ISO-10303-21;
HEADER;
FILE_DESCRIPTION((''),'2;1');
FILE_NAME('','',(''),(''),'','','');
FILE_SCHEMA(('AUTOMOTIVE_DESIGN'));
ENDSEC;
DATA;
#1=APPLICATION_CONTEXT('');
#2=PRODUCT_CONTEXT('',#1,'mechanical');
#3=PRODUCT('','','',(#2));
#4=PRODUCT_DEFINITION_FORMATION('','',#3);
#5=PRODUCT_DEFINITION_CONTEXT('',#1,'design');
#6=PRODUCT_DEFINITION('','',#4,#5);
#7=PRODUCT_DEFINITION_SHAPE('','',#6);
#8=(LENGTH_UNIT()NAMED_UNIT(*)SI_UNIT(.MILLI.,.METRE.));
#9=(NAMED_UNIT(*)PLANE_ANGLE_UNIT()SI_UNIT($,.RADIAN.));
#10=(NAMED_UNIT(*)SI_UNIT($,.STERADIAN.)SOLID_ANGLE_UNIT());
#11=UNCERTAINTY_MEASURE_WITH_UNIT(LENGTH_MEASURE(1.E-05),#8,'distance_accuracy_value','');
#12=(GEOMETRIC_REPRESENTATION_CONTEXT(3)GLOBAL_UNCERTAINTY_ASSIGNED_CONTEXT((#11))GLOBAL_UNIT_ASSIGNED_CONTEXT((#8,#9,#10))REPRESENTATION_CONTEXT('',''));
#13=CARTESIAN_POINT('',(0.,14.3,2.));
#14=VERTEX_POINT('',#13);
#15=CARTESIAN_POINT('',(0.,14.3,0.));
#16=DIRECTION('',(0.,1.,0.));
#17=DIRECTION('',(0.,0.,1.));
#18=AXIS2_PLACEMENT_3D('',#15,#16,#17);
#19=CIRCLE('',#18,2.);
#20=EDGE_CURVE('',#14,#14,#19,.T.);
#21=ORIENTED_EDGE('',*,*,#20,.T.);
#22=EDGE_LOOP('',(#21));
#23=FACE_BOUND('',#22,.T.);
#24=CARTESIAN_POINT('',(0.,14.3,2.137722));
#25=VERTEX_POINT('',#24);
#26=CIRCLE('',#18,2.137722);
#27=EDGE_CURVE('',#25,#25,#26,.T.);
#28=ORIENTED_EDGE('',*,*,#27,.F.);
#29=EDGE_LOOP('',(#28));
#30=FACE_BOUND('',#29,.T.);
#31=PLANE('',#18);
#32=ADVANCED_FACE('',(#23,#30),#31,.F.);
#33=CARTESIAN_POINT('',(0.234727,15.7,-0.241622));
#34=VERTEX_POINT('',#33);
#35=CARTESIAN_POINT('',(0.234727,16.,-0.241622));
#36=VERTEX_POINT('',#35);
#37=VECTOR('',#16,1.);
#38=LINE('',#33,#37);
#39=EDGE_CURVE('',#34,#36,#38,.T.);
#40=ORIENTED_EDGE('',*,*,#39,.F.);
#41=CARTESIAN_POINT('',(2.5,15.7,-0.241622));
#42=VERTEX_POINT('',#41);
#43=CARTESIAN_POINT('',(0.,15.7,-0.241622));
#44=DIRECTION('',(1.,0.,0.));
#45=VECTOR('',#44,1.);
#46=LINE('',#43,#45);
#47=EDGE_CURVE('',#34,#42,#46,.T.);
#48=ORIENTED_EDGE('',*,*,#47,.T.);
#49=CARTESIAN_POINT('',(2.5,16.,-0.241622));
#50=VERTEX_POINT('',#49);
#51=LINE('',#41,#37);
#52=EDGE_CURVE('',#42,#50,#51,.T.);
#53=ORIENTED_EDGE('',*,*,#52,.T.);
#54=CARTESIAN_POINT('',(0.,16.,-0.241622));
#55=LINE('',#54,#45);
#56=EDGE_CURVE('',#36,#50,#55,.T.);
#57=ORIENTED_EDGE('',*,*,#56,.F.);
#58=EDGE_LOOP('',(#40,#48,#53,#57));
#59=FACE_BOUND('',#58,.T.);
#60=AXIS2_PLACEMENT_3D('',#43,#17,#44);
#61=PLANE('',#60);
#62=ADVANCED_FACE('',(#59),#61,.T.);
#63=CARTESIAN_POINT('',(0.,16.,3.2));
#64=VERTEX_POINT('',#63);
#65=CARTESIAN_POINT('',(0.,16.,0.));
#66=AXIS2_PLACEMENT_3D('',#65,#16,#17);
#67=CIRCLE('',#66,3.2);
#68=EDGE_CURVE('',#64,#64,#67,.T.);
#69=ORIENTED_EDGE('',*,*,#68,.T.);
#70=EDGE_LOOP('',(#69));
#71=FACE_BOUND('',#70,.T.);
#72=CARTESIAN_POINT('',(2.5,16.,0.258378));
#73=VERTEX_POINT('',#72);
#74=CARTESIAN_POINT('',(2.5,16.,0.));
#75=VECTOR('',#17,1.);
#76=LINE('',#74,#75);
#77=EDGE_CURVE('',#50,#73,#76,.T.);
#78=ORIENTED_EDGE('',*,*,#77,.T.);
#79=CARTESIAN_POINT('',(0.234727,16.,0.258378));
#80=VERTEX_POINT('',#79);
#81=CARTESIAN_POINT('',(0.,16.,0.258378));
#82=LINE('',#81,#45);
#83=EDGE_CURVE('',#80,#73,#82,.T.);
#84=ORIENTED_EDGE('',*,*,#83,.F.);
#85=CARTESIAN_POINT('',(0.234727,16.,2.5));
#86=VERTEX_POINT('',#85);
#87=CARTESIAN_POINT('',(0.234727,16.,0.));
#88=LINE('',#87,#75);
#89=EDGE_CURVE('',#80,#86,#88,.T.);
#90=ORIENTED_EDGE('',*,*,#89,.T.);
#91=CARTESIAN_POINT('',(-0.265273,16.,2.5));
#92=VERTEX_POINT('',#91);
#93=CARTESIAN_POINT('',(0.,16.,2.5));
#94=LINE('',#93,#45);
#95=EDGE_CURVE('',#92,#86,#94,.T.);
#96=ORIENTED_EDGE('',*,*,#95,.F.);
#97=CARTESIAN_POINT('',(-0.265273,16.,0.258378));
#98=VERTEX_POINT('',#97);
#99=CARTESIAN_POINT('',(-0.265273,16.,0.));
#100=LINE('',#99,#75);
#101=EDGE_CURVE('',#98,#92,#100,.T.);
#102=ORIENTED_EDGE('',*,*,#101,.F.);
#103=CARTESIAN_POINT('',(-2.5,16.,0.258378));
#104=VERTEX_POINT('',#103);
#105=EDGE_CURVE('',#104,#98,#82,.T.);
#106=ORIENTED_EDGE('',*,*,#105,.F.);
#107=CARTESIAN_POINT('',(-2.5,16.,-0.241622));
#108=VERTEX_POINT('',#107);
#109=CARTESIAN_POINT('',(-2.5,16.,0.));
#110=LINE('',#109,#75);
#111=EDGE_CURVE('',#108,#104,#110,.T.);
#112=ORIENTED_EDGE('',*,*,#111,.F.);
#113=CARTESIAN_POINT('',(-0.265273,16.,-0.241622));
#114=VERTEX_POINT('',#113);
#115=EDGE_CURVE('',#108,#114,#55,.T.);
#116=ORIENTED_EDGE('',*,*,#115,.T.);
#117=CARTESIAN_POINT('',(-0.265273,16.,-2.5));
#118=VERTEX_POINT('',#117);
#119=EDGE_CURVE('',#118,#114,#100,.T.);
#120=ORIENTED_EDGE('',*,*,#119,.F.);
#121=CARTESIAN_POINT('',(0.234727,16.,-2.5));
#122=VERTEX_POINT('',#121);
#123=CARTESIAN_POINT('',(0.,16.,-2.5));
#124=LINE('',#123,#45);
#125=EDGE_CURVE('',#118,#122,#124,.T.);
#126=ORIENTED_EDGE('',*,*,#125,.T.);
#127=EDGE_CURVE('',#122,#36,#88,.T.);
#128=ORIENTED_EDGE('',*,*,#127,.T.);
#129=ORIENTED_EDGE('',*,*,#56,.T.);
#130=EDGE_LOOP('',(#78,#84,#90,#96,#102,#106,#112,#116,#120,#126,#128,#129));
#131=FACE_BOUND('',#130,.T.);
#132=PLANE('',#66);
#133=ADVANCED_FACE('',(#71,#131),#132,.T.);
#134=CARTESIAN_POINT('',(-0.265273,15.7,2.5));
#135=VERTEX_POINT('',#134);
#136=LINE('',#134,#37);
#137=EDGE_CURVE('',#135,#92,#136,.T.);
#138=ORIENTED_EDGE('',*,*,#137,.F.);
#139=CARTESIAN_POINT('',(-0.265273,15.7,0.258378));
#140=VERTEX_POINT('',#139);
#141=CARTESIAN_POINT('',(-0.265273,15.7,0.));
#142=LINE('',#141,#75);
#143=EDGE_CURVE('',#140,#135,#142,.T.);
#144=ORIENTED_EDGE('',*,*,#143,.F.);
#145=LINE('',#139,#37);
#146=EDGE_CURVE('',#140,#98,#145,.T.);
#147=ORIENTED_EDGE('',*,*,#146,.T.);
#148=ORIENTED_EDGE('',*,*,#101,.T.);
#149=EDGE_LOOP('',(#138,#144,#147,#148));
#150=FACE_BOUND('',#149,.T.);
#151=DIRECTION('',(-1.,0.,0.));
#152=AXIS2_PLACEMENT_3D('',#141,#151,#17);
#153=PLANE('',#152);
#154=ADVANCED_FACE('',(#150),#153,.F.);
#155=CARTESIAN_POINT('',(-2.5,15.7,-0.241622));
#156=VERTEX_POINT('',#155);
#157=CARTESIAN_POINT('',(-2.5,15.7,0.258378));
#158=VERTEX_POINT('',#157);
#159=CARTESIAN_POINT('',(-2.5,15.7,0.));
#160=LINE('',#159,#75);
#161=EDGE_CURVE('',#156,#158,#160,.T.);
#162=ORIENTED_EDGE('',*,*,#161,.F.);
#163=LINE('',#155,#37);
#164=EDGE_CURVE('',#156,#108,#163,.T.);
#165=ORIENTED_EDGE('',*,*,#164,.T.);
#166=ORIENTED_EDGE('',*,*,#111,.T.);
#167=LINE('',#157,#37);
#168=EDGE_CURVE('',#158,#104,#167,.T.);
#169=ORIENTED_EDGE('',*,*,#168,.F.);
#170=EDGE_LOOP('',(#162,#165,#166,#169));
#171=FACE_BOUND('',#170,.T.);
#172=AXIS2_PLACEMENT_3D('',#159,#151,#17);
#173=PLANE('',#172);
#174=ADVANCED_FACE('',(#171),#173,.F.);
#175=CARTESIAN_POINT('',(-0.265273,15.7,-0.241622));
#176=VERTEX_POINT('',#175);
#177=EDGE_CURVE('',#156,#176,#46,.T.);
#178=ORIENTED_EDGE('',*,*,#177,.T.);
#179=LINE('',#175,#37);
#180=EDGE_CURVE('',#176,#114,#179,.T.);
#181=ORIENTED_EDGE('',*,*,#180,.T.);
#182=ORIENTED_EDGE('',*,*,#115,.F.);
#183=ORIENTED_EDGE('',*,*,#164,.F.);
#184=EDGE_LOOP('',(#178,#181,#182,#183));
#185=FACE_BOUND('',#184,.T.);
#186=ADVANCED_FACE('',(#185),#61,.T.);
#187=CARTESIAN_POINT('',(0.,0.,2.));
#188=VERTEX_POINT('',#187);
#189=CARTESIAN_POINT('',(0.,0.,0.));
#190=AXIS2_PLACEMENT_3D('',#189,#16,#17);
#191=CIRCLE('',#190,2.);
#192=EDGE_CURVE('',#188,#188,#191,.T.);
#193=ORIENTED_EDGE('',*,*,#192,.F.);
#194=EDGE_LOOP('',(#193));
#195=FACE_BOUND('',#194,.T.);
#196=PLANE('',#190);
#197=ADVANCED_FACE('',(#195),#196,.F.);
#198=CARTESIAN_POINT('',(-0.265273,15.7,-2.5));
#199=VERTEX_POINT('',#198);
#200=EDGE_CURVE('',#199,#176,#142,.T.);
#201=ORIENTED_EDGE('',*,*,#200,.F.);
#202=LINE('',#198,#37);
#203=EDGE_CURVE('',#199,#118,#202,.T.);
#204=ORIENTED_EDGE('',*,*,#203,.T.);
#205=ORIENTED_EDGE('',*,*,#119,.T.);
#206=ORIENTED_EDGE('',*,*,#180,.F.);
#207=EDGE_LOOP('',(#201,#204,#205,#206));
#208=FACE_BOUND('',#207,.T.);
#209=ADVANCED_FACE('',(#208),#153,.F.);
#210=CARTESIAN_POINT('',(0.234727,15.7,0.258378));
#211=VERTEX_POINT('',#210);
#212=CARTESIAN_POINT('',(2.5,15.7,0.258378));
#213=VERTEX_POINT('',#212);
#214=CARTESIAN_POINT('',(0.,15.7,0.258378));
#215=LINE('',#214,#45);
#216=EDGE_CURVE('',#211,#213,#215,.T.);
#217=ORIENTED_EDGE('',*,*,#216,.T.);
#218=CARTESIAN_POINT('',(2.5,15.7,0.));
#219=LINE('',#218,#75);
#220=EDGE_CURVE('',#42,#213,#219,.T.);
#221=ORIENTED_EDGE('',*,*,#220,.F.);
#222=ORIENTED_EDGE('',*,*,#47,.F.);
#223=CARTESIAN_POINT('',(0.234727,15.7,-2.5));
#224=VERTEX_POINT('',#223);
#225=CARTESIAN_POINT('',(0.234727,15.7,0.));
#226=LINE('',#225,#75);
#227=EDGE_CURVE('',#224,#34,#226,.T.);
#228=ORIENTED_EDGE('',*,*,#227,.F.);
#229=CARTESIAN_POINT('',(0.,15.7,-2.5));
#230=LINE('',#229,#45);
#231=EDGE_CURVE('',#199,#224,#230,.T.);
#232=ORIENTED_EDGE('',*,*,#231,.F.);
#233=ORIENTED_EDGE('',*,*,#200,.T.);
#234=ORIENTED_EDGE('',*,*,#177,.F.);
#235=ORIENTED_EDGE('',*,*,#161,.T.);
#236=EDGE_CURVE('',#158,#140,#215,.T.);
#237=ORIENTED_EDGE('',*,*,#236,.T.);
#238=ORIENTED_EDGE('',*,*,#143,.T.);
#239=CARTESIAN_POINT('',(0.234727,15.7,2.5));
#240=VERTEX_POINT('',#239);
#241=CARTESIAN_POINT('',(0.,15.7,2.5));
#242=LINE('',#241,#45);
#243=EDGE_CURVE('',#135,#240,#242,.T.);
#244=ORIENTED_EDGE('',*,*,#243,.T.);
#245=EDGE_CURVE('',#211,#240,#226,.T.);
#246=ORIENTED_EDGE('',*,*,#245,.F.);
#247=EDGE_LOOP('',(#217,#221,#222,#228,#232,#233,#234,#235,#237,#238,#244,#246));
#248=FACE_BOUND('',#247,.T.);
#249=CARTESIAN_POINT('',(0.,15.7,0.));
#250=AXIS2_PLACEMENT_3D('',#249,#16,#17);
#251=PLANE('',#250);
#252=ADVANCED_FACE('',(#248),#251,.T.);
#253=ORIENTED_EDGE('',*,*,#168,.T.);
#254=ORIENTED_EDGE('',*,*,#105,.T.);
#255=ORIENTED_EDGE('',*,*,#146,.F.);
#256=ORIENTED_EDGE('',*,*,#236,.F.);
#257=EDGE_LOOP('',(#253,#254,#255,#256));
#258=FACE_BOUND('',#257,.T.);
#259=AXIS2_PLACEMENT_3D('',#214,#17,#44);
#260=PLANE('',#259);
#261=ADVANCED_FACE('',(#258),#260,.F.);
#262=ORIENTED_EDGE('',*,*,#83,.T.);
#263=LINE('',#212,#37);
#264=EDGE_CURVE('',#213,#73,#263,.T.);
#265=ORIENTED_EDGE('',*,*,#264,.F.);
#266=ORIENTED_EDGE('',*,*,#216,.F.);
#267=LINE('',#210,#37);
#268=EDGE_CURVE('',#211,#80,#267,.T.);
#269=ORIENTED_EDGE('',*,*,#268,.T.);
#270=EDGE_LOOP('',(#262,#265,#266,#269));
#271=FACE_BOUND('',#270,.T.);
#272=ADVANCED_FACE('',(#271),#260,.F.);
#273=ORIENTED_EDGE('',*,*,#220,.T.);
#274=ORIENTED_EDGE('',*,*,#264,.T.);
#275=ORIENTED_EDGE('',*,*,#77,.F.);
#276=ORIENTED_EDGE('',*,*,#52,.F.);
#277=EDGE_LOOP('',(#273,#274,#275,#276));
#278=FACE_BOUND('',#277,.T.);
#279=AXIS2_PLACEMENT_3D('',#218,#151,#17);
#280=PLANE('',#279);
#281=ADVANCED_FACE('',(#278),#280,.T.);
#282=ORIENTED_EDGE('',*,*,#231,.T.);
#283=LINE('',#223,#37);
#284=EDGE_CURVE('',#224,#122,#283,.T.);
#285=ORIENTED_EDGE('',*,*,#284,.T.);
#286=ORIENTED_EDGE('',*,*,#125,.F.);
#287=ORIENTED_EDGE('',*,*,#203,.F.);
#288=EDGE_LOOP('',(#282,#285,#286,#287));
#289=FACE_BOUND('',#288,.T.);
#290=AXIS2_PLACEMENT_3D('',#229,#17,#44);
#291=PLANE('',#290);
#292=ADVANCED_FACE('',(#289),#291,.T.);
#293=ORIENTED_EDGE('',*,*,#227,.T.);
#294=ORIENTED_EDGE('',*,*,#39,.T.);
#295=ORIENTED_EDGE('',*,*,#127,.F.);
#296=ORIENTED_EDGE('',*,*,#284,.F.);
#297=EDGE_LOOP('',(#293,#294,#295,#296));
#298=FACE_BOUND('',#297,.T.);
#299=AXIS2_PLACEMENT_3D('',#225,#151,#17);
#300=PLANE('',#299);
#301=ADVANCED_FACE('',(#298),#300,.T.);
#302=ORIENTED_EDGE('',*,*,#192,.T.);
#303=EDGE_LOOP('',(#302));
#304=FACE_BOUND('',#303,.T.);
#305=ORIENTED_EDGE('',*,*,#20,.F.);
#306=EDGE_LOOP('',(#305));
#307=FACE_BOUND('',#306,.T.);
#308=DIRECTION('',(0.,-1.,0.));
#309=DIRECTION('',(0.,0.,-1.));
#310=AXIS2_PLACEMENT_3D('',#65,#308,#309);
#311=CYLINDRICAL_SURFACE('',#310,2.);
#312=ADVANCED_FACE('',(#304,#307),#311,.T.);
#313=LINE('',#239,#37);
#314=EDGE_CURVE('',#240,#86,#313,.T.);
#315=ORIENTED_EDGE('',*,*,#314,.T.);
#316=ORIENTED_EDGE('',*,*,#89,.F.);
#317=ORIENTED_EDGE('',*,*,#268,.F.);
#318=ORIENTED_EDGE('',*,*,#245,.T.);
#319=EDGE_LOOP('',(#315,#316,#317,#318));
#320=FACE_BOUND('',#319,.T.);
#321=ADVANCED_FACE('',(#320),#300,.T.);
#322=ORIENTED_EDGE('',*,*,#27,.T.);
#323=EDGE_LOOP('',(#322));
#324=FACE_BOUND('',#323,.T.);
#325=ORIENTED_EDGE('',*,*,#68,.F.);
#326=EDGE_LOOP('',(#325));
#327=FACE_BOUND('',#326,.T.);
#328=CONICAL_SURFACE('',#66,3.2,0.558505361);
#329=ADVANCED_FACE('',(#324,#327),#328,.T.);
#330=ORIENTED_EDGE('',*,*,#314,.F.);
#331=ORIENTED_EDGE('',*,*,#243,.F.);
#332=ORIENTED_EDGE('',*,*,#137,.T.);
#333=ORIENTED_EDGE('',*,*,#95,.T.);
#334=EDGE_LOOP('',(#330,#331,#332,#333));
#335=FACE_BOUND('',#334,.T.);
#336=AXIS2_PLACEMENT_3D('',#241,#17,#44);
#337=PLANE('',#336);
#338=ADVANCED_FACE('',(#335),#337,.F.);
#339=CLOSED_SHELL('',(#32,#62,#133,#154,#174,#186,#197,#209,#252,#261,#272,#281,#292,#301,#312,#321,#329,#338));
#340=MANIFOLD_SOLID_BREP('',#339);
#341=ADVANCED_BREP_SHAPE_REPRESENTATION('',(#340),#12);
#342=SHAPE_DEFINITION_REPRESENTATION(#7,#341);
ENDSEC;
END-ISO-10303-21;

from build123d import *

# Parameters (mm, degrees)
SKETCH1_R           = 2
BOSS_EXTRUDE1_DEPTH = 16
SKETCH2_R           = 3.2
BOSS_EXTRUDE2_DEPTH = 1.7
BOSS_EXTRUDE2_TAPER = 32
SKETCH3_W           = 0.5
SKETCH3_H           = 2.258378485
SKETCH3_H_2         = 2.241621515
SKETCH3_W_2         = 2.234727157
SKETCH3_H_3         = 0.5
SKETCH3_W_3         = 2.265272843
CUT_EXTRUDE1_DEPTH  = 0.3


with BuildPart() as part:
    # Sketch1 → Boss-Extrude1 (new body)
    with BuildSketch(Plane(origin=(0, 0, 0), x_dir=(1, 0, 0), z_dir=(0, 1, 0))):
        Circle(SKETCH1_R)
    extrude(amount=BOSS_EXTRUDE1_DEPTH)

    # Sketch2 → Boss-Extrude2 (add)
    with BuildSketch(Plane(origin=(0, 16, 0), x_dir=(1, 0, 0), z_dir=(0, 1, 0))):
        Circle(SKETCH2_R)
    extrude(amount=-BOSS_EXTRUDE2_DEPTH, taper=BOSS_EXTRUDE2_TAPER)

    # Sketch3 → Cut-Extrude1 (cut)
    with BuildSketch(Plane(origin=(0, 16, 0), x_dir=(1, 0, 0), z_dir=(0, 1, 0))):
        with Locations((-0.015272843, 1.370810757)):
            Rectangle(SKETCH3_W, SKETCH3_H)
        with Locations((-0.015272843, -1.379189243)):
            Rectangle(SKETCH3_W, SKETCH3_H_2)
        with Locations((-1.382636421, -0.008378485)):
            Rectangle(SKETCH3_W_2, SKETCH3_H_3)
        with Locations((1.367363579, -0.008378485)):
            Rectangle(SKETCH3_W_3, SKETCH3_H_3)
        with Locations((-0.015272843, -0.008378485)):
            Rectangle(SKETCH3_W, SKETCH3_H_3)
    extrude(amount=-CUT_EXTRUDE1_DEPTH, mode=Mode.SUBTRACT)


solid = part.part
